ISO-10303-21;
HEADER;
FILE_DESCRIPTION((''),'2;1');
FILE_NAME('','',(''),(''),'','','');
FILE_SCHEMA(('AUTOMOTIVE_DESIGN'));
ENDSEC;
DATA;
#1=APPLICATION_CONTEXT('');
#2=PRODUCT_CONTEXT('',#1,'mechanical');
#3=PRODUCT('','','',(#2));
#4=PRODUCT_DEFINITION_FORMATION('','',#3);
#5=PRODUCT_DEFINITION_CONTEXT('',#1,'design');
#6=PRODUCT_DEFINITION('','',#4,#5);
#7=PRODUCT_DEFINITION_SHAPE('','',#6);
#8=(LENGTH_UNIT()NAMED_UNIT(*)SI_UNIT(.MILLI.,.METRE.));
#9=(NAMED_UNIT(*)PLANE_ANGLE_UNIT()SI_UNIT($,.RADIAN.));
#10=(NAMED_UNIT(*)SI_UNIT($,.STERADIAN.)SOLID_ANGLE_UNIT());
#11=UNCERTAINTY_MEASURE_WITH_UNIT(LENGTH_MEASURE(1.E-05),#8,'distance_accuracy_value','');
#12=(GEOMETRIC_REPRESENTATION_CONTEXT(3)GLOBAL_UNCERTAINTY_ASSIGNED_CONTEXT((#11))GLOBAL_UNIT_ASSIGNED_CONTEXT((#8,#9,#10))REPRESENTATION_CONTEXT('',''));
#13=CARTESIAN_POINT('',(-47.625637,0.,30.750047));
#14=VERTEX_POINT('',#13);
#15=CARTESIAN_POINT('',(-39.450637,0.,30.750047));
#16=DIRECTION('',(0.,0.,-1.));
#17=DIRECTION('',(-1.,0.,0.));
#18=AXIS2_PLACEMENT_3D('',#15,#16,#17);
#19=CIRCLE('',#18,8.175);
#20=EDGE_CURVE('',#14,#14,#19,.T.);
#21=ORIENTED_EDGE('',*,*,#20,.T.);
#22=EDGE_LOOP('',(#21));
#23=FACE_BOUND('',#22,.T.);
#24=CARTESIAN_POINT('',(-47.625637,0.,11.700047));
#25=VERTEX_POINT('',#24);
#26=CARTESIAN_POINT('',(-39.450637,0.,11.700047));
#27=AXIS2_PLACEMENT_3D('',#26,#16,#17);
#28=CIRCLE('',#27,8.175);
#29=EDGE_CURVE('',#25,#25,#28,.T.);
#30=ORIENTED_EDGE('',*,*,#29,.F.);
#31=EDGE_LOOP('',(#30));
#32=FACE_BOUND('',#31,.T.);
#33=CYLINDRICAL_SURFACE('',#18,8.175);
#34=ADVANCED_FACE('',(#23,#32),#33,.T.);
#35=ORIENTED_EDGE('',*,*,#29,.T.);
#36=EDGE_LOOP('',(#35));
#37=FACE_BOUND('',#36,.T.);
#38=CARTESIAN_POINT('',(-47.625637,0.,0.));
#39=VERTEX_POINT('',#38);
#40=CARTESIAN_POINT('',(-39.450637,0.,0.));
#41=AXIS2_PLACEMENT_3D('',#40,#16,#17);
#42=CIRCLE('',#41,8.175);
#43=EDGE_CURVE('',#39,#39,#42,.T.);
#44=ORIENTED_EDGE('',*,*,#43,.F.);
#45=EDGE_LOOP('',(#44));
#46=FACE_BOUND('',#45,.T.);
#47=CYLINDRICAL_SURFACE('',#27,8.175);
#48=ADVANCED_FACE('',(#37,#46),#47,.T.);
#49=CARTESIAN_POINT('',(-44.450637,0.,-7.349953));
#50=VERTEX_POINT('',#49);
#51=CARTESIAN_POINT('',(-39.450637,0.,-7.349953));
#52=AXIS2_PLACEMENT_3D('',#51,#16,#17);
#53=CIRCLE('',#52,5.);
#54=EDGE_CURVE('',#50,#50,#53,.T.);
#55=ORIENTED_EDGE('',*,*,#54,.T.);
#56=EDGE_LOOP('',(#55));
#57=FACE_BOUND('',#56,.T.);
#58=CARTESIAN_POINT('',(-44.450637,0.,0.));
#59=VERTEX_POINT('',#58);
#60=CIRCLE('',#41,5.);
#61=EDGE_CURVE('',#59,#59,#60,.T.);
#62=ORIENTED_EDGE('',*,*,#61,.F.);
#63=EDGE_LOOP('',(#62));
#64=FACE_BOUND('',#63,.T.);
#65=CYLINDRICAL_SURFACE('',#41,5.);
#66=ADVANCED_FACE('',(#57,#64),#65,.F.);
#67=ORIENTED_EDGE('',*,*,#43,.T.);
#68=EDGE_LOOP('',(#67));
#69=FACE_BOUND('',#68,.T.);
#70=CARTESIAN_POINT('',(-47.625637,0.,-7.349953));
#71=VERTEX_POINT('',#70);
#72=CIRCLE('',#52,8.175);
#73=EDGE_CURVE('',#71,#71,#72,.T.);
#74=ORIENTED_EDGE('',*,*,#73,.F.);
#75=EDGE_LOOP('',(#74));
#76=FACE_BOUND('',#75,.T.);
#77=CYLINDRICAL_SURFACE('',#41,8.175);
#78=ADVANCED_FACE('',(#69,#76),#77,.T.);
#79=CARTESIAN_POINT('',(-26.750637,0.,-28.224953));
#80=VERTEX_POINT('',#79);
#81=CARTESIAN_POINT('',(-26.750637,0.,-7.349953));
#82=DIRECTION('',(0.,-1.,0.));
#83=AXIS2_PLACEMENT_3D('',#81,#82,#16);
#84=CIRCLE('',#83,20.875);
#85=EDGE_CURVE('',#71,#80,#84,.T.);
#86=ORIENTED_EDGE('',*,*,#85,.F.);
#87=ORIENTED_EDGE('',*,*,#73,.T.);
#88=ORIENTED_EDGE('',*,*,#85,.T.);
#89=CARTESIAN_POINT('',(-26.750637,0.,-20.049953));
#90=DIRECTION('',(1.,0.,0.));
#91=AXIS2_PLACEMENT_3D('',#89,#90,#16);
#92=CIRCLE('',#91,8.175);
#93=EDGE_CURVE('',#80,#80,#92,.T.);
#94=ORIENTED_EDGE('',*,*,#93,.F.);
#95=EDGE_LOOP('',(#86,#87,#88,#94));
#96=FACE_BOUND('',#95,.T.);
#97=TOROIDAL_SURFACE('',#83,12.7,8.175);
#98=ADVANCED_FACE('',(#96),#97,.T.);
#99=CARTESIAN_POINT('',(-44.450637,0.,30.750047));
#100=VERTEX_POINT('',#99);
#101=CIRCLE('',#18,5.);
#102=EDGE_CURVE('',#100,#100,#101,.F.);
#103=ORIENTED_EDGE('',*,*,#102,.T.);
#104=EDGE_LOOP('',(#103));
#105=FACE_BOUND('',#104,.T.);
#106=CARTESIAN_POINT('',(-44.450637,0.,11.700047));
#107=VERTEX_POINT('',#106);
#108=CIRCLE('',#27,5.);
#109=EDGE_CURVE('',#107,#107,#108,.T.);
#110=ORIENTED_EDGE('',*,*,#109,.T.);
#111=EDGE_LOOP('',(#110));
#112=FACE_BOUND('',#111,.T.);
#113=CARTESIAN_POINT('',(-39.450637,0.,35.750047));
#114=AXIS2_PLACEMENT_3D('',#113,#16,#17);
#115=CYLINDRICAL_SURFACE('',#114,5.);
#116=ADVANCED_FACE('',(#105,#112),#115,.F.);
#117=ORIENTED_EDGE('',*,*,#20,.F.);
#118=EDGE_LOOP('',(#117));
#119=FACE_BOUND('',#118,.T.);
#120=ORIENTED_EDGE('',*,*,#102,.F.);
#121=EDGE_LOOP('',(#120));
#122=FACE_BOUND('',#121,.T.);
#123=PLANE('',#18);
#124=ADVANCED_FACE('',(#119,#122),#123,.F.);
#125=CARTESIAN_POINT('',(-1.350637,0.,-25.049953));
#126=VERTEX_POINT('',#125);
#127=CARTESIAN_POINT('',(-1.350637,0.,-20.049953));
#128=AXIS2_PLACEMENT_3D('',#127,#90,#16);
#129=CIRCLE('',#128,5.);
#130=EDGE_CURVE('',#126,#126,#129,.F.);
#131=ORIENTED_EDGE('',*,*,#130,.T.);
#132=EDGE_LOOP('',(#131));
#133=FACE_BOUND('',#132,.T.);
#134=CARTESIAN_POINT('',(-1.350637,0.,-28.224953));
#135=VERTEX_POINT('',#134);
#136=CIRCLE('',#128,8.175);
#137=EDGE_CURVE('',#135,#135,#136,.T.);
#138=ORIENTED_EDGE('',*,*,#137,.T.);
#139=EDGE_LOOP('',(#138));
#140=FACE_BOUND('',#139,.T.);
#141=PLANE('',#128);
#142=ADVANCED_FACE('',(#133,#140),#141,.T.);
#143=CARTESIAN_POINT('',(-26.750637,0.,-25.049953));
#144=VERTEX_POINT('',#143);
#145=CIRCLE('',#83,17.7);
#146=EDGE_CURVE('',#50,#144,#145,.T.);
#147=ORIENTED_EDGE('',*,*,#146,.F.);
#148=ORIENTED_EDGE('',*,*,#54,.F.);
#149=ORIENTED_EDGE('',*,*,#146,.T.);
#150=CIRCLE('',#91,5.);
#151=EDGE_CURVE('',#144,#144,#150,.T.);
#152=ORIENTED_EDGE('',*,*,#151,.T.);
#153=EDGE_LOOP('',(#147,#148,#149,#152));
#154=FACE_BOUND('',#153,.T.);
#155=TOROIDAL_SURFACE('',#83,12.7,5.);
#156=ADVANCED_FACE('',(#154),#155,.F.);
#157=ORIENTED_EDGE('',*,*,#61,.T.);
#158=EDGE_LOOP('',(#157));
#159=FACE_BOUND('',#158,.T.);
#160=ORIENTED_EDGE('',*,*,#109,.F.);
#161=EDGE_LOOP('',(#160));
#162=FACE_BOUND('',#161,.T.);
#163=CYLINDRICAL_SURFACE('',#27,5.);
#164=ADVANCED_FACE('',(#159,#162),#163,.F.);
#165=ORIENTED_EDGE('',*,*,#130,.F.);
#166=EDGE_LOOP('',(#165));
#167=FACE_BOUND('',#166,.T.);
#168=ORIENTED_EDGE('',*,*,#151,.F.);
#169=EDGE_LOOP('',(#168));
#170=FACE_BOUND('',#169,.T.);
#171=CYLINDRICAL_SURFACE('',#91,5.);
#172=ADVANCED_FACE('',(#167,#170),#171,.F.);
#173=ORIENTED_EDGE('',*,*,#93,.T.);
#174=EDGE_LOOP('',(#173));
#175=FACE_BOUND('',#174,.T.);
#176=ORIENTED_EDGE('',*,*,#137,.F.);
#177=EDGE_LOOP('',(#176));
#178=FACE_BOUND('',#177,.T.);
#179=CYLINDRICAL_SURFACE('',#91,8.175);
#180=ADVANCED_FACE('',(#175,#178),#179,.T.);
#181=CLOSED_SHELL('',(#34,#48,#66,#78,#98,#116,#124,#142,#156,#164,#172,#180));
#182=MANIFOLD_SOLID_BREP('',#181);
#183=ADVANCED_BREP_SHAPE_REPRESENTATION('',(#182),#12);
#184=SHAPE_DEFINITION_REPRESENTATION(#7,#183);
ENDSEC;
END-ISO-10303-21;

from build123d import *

# Parameters (mm, degrees)
SWEEP1_PROFILE_R     = 8.175
CUT_SWEEP1_PROFILE_R = 5


with BuildPart() as part:
    # Sweep1: sweep along a curve in space
    with BuildLine() as sweep1_path:
        Line((-39.450636639, 0, 30.750046958), (-39.450636639, 0, 11.700046958))
        Line((-39.450636639, 0, 0), (-39.450636639, 0, 11.700046958))
        Line((-39.450636639, 0, -7.349953042), (-39.450636639, 0, 0))
        ThreePointArc((-39.450636639, 0, -7.349953042), (-35.73089276, 0, -16.330209163), (-26.750636639, 0, -20.049953042))
        Line((-26.750636639, 0, -20.049953042), (-1.350636639, 0, -20.049953042))
    # Sweep1 profile (on start of the path) → Sweep1 (sweep)
    with BuildSketch(Plane(origin=(-39.450636639, 0, 30.750046958), x_dir=(-1, 0, 0), z_dir=(0, 0, -1))):
        Circle(SWEEP1_PROFILE_R)
    sweep(path=sweep1_path.line)

    # Cut-Sweep1: sweep along a curve in space
    with BuildLine() as cut_sweep1_path:
        Line((-39.450636639, 0, 30.750046958), (-39.450636639, 0, 11.700046958))
        Line((-39.450636639, 0, 0), (-39.450636639, 0, 11.700046958))
        Line((-39.450636639, 0, -7.349953042), (-39.450636639, 0, 0))
        ThreePointArc((-39.450636639, 0, -7.349953042), (-35.73089276, 0, -16.330209163), (-26.750636639, 0, -20.049953042))
        Line((-26.750636639, 0, -20.049953042), (-1.350636639, 0, -20.049953042))
    # Cut-Sweep1 profile (on start of the path) → Cut-Sweep1 (sweep, cut)
    with BuildSketch(Plane(origin=(-39.450636639, 0, 30.750046958), x_dir=(-1, 0, 0), z_dir=(0, 0, -1))):
        Circle(CUT_SWEEP1_PROFILE_R)
    sweep(path=cut_sweep1_path.line, mode=Mode.SUBTRACT)


solid = part.part
